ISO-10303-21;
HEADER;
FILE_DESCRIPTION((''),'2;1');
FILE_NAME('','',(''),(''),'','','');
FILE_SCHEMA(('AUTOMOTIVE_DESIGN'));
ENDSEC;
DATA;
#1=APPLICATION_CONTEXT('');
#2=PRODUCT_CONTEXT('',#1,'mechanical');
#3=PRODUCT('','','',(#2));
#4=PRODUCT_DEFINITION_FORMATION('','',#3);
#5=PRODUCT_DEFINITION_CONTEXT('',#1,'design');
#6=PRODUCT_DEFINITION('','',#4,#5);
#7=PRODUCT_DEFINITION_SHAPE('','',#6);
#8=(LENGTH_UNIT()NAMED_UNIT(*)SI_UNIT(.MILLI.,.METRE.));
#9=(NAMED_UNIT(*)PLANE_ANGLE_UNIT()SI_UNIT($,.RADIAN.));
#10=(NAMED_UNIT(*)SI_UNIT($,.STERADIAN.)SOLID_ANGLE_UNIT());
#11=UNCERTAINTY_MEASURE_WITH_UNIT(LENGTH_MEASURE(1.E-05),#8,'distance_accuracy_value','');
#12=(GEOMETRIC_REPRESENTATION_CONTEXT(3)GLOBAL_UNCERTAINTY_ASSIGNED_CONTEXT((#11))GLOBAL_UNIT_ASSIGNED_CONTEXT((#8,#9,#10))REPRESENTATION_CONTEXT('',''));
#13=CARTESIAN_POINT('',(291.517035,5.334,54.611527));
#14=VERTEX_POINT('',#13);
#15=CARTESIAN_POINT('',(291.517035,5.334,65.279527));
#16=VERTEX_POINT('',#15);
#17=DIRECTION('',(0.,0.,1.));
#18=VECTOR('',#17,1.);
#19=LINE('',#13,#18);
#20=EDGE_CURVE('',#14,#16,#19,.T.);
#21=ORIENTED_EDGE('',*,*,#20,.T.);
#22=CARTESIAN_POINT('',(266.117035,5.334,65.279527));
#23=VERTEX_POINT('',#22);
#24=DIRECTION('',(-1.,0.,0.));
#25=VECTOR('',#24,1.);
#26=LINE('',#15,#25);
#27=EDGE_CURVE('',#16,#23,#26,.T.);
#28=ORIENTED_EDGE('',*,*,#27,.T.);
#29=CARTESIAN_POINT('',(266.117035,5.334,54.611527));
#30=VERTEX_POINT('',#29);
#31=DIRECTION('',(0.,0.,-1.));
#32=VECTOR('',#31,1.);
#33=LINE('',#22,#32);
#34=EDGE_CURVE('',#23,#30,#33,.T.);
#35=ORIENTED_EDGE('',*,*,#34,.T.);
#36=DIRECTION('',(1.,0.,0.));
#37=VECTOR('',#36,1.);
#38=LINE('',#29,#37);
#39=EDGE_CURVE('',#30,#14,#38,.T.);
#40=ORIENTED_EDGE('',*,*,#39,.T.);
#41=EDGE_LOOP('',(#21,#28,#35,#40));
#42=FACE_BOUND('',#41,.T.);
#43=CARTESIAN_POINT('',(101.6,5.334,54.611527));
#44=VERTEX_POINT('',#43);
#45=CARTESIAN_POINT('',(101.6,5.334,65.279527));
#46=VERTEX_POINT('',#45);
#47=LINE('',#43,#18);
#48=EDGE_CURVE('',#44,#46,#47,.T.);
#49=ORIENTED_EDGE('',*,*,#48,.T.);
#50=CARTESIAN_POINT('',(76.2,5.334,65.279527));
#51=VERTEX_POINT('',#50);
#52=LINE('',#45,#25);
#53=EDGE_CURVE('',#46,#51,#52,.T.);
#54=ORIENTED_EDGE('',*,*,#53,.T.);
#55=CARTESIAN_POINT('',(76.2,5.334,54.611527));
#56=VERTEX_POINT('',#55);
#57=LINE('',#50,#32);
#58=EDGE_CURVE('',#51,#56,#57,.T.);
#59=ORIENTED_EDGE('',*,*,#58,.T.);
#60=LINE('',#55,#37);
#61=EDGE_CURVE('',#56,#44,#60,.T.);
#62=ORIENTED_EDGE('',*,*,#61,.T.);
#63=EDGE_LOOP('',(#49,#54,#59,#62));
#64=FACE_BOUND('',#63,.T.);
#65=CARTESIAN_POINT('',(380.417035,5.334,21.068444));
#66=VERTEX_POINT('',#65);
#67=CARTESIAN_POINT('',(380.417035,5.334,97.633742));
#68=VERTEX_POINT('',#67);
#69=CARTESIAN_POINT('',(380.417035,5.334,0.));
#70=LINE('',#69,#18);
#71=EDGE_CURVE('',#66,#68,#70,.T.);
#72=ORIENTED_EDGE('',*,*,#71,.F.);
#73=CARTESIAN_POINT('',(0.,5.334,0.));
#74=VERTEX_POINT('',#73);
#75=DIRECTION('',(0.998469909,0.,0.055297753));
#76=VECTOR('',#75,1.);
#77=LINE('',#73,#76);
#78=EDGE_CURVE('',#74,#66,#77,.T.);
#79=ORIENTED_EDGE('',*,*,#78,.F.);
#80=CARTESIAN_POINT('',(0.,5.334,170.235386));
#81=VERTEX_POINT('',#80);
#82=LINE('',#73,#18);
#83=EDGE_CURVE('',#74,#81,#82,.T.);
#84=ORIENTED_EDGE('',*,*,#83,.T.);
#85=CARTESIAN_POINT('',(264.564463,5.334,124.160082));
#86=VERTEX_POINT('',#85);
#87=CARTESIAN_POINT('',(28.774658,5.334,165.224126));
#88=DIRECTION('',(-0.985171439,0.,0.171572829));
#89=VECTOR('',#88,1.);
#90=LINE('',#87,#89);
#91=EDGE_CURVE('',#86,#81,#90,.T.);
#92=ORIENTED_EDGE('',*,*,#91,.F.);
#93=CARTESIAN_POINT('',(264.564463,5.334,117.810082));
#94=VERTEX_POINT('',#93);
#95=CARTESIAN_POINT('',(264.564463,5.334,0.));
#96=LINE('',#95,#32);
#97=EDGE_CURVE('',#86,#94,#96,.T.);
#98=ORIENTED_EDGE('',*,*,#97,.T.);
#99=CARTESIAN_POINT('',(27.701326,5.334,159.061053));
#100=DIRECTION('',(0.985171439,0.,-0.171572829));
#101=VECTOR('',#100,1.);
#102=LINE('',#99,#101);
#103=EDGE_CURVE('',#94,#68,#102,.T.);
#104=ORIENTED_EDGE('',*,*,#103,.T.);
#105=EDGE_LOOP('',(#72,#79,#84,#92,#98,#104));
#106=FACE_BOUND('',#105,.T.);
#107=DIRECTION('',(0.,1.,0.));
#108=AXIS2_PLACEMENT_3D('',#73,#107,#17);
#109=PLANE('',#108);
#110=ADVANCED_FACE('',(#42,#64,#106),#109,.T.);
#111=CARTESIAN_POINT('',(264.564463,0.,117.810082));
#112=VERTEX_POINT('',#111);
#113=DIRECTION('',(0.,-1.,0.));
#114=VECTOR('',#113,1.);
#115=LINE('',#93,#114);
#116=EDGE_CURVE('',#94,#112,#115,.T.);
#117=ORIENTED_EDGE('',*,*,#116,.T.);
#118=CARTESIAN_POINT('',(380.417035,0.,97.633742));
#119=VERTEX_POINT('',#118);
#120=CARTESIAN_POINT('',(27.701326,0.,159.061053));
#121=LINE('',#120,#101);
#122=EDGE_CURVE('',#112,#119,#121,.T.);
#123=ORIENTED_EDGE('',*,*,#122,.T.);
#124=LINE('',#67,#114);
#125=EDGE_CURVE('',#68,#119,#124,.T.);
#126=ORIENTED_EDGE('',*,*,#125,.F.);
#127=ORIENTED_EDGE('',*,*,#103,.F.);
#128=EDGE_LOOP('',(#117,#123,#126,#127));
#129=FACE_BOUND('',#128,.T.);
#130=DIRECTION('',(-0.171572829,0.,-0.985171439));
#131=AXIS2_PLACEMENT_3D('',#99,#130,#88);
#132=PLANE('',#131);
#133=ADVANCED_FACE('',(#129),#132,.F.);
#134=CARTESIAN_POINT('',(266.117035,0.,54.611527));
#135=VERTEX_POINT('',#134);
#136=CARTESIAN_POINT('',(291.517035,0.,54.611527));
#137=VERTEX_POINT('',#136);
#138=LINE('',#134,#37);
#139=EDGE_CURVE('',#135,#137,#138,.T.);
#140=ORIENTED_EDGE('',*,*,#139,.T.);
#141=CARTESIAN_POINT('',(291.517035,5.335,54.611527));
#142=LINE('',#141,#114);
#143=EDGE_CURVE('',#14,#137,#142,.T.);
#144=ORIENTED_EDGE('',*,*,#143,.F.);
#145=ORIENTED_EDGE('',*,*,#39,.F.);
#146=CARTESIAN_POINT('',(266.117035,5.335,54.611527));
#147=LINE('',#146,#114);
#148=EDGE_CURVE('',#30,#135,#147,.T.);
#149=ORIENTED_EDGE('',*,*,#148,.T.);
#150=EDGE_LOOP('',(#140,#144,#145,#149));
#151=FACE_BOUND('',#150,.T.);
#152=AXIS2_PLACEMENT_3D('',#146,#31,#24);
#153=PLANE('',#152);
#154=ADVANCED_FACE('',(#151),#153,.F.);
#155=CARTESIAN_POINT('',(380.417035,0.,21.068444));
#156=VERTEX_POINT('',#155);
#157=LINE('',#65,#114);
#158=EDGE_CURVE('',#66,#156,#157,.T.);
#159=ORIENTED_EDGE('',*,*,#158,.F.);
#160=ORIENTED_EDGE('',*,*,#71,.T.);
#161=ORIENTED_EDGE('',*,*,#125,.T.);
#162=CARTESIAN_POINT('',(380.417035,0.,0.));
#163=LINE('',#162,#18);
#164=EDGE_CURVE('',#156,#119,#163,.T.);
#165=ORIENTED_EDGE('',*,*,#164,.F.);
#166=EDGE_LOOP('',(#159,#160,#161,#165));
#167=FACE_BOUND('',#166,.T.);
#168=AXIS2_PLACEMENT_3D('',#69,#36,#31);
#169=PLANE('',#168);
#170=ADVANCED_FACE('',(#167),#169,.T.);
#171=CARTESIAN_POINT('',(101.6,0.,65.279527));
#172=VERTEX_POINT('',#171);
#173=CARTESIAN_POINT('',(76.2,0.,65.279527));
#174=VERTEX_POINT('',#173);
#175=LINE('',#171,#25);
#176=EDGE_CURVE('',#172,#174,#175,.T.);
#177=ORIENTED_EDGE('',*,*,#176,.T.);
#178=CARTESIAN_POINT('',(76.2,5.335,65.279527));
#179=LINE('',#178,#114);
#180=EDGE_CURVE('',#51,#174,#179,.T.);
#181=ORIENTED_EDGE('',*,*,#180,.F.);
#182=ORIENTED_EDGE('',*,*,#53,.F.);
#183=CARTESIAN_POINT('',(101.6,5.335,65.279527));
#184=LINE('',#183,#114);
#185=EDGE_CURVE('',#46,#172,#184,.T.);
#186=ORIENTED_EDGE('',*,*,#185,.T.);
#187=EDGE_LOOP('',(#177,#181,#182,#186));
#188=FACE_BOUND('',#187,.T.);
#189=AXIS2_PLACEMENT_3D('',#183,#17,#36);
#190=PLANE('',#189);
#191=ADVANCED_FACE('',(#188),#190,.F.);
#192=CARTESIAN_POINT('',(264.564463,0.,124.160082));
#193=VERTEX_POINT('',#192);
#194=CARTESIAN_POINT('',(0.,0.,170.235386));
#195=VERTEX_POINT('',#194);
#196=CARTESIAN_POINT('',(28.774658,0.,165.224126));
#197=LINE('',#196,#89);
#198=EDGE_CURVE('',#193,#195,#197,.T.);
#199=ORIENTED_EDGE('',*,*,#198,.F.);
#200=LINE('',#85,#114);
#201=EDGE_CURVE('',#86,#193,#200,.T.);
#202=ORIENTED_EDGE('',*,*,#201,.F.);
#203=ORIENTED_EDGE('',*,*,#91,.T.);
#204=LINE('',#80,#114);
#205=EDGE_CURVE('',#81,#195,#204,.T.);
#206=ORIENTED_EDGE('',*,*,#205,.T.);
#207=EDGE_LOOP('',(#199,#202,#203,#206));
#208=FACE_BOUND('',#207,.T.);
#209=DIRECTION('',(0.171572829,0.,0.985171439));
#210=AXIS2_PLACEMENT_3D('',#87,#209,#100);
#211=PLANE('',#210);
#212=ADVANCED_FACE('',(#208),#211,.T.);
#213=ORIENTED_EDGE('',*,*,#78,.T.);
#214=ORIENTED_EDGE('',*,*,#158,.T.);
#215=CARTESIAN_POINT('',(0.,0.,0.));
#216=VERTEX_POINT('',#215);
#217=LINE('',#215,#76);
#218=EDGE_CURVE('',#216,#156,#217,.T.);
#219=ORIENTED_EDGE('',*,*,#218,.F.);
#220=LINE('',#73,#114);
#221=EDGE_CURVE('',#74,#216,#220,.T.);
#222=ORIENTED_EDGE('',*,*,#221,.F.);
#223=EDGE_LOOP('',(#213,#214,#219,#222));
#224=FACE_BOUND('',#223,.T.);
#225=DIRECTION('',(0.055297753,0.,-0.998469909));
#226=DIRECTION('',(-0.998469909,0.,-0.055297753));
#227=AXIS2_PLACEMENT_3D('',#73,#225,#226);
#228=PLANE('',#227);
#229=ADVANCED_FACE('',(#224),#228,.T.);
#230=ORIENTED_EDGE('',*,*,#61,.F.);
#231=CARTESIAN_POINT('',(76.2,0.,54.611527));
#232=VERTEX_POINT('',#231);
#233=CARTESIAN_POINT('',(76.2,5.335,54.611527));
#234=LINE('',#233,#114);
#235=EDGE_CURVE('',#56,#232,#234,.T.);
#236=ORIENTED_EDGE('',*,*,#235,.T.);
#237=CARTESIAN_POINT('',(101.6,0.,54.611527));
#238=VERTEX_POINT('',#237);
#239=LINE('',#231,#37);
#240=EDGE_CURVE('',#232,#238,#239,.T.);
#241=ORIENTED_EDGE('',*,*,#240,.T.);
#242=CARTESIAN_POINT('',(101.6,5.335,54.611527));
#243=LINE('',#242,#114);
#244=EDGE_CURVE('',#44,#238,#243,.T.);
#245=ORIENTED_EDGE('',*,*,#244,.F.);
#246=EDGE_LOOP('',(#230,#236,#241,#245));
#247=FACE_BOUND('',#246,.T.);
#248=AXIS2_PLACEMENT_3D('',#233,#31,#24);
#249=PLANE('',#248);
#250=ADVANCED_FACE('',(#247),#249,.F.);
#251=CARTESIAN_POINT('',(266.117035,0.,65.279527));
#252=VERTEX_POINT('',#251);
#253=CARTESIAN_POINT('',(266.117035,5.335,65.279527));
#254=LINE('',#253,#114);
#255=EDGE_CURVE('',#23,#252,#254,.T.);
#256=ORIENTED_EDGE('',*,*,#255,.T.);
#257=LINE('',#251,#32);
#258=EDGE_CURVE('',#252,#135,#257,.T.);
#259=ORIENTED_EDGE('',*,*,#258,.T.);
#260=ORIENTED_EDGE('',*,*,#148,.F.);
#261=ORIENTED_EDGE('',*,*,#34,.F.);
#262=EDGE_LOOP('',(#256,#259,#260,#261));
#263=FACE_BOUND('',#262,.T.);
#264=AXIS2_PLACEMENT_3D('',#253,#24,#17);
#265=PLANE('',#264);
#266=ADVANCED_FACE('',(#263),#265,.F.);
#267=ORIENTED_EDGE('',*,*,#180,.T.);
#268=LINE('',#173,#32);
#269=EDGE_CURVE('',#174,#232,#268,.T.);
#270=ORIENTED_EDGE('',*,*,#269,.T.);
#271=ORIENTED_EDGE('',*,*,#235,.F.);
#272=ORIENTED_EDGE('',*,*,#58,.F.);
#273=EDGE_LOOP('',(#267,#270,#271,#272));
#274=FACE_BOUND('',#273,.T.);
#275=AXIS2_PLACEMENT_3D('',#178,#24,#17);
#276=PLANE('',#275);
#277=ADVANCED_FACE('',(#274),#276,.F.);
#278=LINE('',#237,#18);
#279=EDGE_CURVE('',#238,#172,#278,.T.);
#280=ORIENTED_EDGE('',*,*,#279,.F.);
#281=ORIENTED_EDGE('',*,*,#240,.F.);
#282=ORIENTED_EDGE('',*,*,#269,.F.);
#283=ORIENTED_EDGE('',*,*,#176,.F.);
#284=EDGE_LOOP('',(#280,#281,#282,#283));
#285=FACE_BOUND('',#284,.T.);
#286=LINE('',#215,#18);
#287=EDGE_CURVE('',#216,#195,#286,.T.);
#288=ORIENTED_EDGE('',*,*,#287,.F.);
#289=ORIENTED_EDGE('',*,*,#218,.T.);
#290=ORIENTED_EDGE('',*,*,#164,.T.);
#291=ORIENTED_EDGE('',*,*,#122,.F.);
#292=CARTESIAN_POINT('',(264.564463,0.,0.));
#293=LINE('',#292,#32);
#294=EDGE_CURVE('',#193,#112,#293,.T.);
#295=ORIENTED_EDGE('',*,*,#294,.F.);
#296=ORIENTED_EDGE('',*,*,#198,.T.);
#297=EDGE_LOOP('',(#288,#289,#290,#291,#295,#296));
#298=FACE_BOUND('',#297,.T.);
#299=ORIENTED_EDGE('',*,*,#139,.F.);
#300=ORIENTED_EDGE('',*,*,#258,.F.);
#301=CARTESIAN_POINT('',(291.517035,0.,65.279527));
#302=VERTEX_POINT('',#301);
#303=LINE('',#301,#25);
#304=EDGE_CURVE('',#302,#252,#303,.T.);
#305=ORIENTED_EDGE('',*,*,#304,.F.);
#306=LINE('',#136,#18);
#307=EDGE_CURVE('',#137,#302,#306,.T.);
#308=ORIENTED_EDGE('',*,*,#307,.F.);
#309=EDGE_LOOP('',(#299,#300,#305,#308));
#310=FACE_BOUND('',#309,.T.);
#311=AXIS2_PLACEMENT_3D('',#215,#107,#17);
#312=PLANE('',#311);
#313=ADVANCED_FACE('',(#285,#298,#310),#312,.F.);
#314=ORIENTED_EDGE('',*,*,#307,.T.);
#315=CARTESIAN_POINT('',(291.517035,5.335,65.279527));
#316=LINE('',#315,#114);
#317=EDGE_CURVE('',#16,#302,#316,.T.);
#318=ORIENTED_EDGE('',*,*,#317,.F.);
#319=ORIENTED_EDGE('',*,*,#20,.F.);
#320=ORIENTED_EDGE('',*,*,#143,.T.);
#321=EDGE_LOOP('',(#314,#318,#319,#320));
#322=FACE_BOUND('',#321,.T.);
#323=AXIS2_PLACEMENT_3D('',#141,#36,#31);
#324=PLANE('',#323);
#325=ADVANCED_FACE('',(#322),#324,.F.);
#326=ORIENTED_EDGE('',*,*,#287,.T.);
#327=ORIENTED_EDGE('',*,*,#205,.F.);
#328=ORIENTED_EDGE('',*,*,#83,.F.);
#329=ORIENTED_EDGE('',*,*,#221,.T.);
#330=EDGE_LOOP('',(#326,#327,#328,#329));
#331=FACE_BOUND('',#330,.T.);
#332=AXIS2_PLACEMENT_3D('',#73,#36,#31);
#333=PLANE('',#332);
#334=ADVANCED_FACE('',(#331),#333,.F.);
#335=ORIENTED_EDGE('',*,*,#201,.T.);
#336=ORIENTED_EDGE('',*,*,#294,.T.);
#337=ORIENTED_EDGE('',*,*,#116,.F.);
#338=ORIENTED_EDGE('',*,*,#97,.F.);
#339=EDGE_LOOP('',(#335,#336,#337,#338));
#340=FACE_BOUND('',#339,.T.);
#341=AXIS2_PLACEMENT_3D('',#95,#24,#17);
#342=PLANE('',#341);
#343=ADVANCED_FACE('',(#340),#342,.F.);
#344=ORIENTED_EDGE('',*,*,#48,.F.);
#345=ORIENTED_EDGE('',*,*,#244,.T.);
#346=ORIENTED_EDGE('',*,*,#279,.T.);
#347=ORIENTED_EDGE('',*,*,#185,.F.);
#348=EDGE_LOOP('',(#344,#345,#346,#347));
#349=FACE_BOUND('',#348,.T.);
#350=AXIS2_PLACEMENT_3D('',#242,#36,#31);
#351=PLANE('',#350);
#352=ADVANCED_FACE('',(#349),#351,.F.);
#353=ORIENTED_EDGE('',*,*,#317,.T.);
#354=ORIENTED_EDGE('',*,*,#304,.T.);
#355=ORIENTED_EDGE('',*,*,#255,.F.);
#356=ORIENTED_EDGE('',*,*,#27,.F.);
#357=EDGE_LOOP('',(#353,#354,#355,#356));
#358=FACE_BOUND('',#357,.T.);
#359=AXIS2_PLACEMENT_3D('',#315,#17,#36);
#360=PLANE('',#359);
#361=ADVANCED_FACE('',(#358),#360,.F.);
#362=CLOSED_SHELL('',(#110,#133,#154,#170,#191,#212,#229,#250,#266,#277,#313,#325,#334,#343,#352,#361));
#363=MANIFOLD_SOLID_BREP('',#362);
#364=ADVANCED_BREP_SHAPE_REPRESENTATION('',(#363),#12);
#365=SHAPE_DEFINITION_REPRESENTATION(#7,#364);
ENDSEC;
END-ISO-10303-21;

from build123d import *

# Parameters (mm, degrees)
BASE_DEPTH         = 5.334
CUT_EXTRUDE1_REACH = 7.334
SKETCH3_W          = 25.4
SKETCH3_H          = 10.668


with BuildPart() as part:
    # Sketch1 → Base (new body)
    with BuildSketch(Plane(origin=(0, 0, 0), x_dir=(1, 0, 0), z_dir=(0, 1, 0))):
        Polygon((0, 0), (380.417035208, -21.068443786), (380.417035208, -97.633742074), (264.564463463, -117.810081629), (264.564463463, -124.160081629), (0, -170.235385513), align=None)
    extrude(amount=BASE_DEPTH)

    # Sketch3 → Cut-Extrude1 (cut, up to next)
    with BuildSketch(Plane.XZ, mode=Mode.PRIVATE) as cut_extrude1_sk1:
        with Locations((278.817035208, 59.945526857)):
            Rectangle(SKETCH3_W, SKETCH3_H)
    cut_extrude1_tool1 = extrude(cut_extrude1_sk1.sketch, amount=-CUT_EXTRUDE1_REACH, mode=Mode.PRIVATE) & part.part
    add(cut_extrude1_tool1.solids().sort_by_distance((278.817035, 0, 59.945527))[0], mode=Mode.SUBTRACT)
    # Sketch3 → Cut-Extrude1 (cut, up to next)
    with BuildSketch(Plane.XZ, mode=Mode.PRIVATE) as cut_extrude1_sk2:
        with Locations((88.9, 59.945526857)):
            Rectangle(SKETCH3_W, SKETCH3_H)
    cut_extrude1_tool2 = extrude(cut_extrude1_sk2.sketch, amount=-CUT_EXTRUDE1_REACH, mode=Mode.PRIVATE) & part.part
    add(cut_extrude1_tool2.solids().sort_by_distance((88.9, 0, 59.945527))[0], mode=Mode.SUBTRACT)


solid = part.part
